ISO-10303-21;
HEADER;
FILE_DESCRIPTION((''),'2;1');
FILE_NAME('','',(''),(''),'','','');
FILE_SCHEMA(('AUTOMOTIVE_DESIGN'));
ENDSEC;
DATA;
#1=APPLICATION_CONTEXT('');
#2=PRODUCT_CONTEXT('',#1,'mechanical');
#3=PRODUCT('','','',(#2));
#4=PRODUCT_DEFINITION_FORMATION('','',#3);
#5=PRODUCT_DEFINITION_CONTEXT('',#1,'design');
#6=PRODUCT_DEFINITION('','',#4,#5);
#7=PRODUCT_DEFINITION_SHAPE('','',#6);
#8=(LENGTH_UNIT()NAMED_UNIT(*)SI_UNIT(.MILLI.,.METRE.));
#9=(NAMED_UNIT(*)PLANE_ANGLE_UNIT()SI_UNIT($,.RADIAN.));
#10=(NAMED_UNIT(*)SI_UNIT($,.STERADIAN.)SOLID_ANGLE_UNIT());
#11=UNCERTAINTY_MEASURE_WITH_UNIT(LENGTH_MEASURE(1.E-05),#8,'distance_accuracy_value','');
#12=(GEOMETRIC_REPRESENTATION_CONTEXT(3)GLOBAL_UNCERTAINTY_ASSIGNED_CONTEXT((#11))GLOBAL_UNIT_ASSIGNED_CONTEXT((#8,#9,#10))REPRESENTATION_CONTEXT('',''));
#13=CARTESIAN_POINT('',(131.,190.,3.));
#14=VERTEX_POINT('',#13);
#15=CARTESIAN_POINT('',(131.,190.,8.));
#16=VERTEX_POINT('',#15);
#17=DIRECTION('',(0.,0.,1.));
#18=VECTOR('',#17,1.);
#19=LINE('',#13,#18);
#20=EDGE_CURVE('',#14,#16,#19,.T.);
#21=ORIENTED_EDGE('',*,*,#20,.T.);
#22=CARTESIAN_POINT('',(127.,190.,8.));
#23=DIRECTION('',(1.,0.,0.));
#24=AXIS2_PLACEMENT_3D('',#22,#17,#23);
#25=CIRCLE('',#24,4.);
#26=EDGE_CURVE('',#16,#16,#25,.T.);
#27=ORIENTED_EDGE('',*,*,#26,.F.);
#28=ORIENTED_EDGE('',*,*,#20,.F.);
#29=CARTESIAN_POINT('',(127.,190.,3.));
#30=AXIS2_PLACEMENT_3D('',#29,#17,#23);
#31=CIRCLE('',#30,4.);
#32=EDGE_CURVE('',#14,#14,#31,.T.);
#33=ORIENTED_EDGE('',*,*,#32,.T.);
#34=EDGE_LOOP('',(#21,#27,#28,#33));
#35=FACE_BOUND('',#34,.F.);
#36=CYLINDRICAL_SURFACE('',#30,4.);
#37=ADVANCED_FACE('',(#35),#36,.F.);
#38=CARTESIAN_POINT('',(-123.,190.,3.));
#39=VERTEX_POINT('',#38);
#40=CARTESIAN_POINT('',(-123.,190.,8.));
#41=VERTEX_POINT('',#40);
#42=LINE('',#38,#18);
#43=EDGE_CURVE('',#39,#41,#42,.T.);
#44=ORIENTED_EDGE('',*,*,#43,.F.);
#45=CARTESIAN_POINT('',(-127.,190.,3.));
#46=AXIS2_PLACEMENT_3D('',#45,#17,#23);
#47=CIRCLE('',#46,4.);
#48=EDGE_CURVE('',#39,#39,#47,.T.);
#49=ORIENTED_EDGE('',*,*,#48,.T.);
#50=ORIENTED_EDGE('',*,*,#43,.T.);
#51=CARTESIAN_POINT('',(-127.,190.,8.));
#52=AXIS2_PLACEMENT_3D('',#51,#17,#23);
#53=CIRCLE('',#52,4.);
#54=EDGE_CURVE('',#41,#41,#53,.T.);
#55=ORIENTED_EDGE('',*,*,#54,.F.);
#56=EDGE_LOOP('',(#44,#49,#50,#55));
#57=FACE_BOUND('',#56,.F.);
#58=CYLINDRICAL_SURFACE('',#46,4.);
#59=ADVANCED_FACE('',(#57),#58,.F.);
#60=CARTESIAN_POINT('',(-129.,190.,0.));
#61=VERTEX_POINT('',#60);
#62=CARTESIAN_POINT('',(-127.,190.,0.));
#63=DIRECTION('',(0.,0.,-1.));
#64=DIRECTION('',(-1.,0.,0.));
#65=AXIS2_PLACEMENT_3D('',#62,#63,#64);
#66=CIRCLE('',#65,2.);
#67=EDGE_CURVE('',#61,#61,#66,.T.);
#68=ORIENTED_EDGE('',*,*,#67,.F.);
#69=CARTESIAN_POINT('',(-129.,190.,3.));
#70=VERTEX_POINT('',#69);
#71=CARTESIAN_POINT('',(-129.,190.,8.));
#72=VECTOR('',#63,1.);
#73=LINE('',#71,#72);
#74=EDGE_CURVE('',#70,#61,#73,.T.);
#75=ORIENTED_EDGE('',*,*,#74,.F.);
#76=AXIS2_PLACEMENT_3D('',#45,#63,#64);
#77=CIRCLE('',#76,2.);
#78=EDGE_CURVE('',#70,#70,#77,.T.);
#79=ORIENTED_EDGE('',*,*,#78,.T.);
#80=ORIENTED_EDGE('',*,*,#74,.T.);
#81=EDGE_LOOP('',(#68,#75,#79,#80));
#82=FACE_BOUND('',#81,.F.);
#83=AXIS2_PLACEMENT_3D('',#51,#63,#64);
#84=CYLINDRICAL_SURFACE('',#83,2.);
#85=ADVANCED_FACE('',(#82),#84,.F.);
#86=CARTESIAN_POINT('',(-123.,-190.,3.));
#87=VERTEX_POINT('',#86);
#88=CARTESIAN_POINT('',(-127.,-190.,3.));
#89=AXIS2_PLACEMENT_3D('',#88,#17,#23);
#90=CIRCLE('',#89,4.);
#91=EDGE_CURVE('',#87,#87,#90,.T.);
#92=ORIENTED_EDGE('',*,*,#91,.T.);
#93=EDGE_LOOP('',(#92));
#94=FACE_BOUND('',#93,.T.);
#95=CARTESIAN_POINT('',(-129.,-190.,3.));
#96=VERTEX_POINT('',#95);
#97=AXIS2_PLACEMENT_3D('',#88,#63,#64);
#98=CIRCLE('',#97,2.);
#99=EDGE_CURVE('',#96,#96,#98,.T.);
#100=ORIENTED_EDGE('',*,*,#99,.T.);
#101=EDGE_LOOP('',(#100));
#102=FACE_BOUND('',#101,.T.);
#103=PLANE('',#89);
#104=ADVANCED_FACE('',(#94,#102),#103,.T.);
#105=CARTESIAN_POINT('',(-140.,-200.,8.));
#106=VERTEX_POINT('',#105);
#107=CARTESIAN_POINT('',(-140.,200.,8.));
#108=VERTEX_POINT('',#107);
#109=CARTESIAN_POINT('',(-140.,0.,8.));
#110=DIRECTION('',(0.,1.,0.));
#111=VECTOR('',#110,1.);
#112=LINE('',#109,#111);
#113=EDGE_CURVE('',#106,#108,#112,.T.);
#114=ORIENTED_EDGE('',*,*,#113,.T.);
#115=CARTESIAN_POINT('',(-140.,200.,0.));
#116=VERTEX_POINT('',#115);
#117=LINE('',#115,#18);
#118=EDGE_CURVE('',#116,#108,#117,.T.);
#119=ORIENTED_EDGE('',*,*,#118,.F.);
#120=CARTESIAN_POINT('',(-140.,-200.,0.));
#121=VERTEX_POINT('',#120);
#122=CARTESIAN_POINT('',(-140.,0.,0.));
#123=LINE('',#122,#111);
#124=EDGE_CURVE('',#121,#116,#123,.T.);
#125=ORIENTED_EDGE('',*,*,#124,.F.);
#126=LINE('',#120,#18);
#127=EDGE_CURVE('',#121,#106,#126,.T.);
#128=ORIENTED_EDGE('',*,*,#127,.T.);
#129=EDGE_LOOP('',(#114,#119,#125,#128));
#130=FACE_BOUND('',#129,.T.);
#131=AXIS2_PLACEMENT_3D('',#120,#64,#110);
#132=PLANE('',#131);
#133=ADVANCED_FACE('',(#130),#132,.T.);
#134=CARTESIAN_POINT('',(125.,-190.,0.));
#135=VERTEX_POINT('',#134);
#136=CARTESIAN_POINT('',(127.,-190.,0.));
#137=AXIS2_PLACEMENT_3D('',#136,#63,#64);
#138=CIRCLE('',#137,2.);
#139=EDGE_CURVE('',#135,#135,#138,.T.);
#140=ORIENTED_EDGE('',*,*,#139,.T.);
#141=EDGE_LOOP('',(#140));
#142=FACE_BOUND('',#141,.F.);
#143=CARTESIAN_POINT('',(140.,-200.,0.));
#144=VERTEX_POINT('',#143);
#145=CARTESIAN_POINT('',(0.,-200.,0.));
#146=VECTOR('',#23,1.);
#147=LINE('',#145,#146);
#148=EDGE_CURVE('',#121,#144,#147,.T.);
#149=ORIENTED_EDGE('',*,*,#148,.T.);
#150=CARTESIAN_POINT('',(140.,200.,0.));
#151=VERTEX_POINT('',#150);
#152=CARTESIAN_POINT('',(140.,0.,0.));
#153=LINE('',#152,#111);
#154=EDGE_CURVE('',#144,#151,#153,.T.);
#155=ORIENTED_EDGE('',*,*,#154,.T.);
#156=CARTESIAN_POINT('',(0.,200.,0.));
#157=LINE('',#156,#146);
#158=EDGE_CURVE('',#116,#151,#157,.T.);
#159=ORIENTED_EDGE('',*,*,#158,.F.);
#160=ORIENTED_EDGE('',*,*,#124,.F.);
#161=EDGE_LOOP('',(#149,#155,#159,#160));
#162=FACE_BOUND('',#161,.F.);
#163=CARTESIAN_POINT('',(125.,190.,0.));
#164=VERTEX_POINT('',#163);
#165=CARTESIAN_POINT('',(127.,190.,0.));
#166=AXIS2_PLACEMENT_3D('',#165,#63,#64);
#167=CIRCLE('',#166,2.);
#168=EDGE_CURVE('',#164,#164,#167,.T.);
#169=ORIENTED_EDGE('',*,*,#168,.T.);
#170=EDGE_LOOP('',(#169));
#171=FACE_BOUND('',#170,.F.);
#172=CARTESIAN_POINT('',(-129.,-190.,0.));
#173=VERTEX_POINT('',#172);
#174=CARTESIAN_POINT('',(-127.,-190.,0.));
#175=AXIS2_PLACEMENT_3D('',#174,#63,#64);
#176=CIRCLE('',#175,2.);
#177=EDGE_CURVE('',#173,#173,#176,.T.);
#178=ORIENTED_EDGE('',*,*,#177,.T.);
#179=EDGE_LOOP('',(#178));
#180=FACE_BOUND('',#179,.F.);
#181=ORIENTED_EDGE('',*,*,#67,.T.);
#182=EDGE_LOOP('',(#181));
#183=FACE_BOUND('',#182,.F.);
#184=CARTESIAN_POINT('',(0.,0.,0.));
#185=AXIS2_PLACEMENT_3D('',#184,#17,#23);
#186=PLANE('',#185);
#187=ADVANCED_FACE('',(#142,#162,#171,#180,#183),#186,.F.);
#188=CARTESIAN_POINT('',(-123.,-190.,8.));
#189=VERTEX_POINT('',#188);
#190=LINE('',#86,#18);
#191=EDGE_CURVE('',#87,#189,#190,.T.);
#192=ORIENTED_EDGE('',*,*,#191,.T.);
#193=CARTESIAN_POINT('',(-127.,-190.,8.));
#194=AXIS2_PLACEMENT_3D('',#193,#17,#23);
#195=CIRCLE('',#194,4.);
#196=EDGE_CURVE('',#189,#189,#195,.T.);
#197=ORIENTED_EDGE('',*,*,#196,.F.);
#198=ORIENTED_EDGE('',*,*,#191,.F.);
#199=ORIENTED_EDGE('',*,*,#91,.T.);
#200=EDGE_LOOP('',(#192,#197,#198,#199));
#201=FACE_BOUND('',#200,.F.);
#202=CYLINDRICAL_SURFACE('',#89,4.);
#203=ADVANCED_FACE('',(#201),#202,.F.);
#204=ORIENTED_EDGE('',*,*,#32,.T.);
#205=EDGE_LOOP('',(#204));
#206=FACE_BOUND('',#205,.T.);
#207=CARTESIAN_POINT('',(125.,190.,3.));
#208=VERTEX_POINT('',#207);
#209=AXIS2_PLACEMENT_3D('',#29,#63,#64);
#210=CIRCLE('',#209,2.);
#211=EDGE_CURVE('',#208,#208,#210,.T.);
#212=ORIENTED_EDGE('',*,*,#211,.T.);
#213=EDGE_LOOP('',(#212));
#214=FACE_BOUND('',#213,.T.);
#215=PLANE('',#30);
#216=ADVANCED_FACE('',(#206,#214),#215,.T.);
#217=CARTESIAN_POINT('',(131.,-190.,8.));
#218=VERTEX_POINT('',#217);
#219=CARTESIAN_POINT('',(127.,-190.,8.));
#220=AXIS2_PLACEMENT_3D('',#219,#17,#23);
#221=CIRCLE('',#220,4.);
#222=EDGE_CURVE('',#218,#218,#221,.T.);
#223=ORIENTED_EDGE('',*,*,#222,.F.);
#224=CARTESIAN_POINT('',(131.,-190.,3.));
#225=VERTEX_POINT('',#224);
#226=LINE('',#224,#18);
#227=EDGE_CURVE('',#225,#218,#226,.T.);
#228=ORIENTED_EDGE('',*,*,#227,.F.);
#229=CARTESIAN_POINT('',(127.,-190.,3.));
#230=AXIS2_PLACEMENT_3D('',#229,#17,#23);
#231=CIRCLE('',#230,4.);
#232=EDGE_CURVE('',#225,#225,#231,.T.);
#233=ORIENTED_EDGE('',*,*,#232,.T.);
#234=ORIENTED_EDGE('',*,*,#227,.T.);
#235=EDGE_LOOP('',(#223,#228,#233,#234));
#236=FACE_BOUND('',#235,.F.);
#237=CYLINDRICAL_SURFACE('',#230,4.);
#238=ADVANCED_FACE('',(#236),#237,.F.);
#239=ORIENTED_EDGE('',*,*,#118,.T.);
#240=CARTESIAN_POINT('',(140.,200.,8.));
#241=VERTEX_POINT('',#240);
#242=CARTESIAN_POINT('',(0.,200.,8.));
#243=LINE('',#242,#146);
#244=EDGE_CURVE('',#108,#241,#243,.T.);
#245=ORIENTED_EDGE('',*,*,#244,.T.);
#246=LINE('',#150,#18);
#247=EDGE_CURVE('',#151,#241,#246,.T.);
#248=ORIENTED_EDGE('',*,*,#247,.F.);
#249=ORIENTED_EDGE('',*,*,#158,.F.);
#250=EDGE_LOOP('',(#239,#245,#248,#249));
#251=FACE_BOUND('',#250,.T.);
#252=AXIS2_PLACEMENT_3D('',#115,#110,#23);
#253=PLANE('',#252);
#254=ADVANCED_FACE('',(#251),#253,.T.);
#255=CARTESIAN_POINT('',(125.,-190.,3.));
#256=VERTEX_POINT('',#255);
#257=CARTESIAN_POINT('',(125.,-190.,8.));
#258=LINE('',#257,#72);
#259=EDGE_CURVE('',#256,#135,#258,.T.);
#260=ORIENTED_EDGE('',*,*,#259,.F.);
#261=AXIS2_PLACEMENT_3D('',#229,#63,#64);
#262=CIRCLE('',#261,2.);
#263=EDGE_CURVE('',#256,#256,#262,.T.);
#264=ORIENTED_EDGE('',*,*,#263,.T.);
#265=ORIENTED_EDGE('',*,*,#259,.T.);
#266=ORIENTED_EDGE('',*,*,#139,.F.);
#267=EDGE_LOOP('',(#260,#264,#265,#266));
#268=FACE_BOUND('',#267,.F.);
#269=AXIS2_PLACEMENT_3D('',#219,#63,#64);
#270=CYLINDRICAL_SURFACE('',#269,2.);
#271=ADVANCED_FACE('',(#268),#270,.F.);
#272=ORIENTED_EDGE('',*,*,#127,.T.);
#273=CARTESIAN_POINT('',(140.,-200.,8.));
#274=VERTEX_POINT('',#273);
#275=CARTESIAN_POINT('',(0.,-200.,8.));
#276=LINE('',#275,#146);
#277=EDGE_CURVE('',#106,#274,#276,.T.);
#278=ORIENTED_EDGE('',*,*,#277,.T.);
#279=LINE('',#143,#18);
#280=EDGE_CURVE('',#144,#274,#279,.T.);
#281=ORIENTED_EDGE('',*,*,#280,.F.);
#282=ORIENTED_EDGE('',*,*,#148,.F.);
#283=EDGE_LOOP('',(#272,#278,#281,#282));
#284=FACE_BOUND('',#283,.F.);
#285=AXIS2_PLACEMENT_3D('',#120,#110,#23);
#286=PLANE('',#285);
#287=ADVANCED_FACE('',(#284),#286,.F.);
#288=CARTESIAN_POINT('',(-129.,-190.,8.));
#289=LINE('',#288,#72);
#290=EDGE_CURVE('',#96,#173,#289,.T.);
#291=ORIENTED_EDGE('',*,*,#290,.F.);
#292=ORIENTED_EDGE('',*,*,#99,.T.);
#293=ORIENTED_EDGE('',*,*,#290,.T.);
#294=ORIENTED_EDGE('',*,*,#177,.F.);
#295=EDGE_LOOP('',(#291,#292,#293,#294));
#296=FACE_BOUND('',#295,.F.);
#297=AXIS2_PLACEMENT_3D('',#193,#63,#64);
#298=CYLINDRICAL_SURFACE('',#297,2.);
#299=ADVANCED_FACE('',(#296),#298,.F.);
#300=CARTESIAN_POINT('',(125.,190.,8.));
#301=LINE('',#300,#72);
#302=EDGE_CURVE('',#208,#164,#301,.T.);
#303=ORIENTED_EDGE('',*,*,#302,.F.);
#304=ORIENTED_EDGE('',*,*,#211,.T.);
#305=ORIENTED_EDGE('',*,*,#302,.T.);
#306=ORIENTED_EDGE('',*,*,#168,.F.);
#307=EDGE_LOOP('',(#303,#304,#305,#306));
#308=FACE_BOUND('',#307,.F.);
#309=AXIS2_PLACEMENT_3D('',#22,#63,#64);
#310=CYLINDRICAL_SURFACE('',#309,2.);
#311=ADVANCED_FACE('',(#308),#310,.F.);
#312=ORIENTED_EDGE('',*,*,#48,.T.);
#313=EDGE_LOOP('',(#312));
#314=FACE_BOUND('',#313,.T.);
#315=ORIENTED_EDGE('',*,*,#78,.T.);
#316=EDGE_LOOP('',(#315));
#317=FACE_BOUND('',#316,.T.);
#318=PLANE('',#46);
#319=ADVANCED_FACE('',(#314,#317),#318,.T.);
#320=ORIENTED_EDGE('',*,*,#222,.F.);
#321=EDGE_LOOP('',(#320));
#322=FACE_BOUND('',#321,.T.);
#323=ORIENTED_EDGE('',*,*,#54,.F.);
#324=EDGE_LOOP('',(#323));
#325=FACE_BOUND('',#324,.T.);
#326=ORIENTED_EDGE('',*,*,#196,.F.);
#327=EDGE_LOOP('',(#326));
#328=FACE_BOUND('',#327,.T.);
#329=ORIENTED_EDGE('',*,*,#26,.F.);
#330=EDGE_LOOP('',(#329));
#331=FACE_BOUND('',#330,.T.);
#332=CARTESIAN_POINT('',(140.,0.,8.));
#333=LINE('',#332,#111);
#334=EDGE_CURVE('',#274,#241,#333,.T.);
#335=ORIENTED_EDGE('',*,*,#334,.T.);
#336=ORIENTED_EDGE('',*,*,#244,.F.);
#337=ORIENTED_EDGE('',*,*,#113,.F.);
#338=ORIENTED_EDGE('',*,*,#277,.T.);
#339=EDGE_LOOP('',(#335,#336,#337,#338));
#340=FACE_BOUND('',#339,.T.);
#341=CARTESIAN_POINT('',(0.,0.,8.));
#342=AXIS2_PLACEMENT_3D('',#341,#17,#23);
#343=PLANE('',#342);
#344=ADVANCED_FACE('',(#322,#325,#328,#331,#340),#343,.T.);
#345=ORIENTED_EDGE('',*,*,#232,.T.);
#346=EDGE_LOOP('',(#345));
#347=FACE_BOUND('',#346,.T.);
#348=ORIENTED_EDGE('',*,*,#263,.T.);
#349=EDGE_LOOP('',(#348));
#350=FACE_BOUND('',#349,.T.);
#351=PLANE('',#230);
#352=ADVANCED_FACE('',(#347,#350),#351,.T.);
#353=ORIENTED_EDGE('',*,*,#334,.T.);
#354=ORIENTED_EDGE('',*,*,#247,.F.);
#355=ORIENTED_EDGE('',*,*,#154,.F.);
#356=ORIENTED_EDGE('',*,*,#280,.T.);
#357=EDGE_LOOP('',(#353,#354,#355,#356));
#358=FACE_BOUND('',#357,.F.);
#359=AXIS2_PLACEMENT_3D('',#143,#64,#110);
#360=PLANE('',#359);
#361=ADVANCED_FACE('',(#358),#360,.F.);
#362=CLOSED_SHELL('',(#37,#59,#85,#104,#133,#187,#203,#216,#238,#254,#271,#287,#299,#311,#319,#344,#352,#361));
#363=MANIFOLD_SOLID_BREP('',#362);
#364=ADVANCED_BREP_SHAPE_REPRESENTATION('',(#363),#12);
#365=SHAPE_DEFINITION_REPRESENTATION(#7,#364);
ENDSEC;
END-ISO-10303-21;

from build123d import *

# Parameters (mm, degrees)
F0_W           = 280
F0_H           = 400
F1_DEPTH       = 8
F3_D           = 4
F3_CBORE_D     = 8
F3_CBORE_DEPTH = 5


with BuildPart() as f1:
    # F0 (on Top) → F1 (new body)
    with BuildSketch(Plane.XY):
        Rectangle(F0_W, F0_H)
    extrude(amount=F1_DEPTH)

    # F3 (through all)
    with Locations(Plane.XY.offset(8)):
        with Locations((-127, 190), (127, 190), (-127, -190), (127, -190)):
            CounterBoreHole(F3_D / 2, F3_CBORE_D / 2, F3_CBORE_DEPTH)


solid = f1.part
